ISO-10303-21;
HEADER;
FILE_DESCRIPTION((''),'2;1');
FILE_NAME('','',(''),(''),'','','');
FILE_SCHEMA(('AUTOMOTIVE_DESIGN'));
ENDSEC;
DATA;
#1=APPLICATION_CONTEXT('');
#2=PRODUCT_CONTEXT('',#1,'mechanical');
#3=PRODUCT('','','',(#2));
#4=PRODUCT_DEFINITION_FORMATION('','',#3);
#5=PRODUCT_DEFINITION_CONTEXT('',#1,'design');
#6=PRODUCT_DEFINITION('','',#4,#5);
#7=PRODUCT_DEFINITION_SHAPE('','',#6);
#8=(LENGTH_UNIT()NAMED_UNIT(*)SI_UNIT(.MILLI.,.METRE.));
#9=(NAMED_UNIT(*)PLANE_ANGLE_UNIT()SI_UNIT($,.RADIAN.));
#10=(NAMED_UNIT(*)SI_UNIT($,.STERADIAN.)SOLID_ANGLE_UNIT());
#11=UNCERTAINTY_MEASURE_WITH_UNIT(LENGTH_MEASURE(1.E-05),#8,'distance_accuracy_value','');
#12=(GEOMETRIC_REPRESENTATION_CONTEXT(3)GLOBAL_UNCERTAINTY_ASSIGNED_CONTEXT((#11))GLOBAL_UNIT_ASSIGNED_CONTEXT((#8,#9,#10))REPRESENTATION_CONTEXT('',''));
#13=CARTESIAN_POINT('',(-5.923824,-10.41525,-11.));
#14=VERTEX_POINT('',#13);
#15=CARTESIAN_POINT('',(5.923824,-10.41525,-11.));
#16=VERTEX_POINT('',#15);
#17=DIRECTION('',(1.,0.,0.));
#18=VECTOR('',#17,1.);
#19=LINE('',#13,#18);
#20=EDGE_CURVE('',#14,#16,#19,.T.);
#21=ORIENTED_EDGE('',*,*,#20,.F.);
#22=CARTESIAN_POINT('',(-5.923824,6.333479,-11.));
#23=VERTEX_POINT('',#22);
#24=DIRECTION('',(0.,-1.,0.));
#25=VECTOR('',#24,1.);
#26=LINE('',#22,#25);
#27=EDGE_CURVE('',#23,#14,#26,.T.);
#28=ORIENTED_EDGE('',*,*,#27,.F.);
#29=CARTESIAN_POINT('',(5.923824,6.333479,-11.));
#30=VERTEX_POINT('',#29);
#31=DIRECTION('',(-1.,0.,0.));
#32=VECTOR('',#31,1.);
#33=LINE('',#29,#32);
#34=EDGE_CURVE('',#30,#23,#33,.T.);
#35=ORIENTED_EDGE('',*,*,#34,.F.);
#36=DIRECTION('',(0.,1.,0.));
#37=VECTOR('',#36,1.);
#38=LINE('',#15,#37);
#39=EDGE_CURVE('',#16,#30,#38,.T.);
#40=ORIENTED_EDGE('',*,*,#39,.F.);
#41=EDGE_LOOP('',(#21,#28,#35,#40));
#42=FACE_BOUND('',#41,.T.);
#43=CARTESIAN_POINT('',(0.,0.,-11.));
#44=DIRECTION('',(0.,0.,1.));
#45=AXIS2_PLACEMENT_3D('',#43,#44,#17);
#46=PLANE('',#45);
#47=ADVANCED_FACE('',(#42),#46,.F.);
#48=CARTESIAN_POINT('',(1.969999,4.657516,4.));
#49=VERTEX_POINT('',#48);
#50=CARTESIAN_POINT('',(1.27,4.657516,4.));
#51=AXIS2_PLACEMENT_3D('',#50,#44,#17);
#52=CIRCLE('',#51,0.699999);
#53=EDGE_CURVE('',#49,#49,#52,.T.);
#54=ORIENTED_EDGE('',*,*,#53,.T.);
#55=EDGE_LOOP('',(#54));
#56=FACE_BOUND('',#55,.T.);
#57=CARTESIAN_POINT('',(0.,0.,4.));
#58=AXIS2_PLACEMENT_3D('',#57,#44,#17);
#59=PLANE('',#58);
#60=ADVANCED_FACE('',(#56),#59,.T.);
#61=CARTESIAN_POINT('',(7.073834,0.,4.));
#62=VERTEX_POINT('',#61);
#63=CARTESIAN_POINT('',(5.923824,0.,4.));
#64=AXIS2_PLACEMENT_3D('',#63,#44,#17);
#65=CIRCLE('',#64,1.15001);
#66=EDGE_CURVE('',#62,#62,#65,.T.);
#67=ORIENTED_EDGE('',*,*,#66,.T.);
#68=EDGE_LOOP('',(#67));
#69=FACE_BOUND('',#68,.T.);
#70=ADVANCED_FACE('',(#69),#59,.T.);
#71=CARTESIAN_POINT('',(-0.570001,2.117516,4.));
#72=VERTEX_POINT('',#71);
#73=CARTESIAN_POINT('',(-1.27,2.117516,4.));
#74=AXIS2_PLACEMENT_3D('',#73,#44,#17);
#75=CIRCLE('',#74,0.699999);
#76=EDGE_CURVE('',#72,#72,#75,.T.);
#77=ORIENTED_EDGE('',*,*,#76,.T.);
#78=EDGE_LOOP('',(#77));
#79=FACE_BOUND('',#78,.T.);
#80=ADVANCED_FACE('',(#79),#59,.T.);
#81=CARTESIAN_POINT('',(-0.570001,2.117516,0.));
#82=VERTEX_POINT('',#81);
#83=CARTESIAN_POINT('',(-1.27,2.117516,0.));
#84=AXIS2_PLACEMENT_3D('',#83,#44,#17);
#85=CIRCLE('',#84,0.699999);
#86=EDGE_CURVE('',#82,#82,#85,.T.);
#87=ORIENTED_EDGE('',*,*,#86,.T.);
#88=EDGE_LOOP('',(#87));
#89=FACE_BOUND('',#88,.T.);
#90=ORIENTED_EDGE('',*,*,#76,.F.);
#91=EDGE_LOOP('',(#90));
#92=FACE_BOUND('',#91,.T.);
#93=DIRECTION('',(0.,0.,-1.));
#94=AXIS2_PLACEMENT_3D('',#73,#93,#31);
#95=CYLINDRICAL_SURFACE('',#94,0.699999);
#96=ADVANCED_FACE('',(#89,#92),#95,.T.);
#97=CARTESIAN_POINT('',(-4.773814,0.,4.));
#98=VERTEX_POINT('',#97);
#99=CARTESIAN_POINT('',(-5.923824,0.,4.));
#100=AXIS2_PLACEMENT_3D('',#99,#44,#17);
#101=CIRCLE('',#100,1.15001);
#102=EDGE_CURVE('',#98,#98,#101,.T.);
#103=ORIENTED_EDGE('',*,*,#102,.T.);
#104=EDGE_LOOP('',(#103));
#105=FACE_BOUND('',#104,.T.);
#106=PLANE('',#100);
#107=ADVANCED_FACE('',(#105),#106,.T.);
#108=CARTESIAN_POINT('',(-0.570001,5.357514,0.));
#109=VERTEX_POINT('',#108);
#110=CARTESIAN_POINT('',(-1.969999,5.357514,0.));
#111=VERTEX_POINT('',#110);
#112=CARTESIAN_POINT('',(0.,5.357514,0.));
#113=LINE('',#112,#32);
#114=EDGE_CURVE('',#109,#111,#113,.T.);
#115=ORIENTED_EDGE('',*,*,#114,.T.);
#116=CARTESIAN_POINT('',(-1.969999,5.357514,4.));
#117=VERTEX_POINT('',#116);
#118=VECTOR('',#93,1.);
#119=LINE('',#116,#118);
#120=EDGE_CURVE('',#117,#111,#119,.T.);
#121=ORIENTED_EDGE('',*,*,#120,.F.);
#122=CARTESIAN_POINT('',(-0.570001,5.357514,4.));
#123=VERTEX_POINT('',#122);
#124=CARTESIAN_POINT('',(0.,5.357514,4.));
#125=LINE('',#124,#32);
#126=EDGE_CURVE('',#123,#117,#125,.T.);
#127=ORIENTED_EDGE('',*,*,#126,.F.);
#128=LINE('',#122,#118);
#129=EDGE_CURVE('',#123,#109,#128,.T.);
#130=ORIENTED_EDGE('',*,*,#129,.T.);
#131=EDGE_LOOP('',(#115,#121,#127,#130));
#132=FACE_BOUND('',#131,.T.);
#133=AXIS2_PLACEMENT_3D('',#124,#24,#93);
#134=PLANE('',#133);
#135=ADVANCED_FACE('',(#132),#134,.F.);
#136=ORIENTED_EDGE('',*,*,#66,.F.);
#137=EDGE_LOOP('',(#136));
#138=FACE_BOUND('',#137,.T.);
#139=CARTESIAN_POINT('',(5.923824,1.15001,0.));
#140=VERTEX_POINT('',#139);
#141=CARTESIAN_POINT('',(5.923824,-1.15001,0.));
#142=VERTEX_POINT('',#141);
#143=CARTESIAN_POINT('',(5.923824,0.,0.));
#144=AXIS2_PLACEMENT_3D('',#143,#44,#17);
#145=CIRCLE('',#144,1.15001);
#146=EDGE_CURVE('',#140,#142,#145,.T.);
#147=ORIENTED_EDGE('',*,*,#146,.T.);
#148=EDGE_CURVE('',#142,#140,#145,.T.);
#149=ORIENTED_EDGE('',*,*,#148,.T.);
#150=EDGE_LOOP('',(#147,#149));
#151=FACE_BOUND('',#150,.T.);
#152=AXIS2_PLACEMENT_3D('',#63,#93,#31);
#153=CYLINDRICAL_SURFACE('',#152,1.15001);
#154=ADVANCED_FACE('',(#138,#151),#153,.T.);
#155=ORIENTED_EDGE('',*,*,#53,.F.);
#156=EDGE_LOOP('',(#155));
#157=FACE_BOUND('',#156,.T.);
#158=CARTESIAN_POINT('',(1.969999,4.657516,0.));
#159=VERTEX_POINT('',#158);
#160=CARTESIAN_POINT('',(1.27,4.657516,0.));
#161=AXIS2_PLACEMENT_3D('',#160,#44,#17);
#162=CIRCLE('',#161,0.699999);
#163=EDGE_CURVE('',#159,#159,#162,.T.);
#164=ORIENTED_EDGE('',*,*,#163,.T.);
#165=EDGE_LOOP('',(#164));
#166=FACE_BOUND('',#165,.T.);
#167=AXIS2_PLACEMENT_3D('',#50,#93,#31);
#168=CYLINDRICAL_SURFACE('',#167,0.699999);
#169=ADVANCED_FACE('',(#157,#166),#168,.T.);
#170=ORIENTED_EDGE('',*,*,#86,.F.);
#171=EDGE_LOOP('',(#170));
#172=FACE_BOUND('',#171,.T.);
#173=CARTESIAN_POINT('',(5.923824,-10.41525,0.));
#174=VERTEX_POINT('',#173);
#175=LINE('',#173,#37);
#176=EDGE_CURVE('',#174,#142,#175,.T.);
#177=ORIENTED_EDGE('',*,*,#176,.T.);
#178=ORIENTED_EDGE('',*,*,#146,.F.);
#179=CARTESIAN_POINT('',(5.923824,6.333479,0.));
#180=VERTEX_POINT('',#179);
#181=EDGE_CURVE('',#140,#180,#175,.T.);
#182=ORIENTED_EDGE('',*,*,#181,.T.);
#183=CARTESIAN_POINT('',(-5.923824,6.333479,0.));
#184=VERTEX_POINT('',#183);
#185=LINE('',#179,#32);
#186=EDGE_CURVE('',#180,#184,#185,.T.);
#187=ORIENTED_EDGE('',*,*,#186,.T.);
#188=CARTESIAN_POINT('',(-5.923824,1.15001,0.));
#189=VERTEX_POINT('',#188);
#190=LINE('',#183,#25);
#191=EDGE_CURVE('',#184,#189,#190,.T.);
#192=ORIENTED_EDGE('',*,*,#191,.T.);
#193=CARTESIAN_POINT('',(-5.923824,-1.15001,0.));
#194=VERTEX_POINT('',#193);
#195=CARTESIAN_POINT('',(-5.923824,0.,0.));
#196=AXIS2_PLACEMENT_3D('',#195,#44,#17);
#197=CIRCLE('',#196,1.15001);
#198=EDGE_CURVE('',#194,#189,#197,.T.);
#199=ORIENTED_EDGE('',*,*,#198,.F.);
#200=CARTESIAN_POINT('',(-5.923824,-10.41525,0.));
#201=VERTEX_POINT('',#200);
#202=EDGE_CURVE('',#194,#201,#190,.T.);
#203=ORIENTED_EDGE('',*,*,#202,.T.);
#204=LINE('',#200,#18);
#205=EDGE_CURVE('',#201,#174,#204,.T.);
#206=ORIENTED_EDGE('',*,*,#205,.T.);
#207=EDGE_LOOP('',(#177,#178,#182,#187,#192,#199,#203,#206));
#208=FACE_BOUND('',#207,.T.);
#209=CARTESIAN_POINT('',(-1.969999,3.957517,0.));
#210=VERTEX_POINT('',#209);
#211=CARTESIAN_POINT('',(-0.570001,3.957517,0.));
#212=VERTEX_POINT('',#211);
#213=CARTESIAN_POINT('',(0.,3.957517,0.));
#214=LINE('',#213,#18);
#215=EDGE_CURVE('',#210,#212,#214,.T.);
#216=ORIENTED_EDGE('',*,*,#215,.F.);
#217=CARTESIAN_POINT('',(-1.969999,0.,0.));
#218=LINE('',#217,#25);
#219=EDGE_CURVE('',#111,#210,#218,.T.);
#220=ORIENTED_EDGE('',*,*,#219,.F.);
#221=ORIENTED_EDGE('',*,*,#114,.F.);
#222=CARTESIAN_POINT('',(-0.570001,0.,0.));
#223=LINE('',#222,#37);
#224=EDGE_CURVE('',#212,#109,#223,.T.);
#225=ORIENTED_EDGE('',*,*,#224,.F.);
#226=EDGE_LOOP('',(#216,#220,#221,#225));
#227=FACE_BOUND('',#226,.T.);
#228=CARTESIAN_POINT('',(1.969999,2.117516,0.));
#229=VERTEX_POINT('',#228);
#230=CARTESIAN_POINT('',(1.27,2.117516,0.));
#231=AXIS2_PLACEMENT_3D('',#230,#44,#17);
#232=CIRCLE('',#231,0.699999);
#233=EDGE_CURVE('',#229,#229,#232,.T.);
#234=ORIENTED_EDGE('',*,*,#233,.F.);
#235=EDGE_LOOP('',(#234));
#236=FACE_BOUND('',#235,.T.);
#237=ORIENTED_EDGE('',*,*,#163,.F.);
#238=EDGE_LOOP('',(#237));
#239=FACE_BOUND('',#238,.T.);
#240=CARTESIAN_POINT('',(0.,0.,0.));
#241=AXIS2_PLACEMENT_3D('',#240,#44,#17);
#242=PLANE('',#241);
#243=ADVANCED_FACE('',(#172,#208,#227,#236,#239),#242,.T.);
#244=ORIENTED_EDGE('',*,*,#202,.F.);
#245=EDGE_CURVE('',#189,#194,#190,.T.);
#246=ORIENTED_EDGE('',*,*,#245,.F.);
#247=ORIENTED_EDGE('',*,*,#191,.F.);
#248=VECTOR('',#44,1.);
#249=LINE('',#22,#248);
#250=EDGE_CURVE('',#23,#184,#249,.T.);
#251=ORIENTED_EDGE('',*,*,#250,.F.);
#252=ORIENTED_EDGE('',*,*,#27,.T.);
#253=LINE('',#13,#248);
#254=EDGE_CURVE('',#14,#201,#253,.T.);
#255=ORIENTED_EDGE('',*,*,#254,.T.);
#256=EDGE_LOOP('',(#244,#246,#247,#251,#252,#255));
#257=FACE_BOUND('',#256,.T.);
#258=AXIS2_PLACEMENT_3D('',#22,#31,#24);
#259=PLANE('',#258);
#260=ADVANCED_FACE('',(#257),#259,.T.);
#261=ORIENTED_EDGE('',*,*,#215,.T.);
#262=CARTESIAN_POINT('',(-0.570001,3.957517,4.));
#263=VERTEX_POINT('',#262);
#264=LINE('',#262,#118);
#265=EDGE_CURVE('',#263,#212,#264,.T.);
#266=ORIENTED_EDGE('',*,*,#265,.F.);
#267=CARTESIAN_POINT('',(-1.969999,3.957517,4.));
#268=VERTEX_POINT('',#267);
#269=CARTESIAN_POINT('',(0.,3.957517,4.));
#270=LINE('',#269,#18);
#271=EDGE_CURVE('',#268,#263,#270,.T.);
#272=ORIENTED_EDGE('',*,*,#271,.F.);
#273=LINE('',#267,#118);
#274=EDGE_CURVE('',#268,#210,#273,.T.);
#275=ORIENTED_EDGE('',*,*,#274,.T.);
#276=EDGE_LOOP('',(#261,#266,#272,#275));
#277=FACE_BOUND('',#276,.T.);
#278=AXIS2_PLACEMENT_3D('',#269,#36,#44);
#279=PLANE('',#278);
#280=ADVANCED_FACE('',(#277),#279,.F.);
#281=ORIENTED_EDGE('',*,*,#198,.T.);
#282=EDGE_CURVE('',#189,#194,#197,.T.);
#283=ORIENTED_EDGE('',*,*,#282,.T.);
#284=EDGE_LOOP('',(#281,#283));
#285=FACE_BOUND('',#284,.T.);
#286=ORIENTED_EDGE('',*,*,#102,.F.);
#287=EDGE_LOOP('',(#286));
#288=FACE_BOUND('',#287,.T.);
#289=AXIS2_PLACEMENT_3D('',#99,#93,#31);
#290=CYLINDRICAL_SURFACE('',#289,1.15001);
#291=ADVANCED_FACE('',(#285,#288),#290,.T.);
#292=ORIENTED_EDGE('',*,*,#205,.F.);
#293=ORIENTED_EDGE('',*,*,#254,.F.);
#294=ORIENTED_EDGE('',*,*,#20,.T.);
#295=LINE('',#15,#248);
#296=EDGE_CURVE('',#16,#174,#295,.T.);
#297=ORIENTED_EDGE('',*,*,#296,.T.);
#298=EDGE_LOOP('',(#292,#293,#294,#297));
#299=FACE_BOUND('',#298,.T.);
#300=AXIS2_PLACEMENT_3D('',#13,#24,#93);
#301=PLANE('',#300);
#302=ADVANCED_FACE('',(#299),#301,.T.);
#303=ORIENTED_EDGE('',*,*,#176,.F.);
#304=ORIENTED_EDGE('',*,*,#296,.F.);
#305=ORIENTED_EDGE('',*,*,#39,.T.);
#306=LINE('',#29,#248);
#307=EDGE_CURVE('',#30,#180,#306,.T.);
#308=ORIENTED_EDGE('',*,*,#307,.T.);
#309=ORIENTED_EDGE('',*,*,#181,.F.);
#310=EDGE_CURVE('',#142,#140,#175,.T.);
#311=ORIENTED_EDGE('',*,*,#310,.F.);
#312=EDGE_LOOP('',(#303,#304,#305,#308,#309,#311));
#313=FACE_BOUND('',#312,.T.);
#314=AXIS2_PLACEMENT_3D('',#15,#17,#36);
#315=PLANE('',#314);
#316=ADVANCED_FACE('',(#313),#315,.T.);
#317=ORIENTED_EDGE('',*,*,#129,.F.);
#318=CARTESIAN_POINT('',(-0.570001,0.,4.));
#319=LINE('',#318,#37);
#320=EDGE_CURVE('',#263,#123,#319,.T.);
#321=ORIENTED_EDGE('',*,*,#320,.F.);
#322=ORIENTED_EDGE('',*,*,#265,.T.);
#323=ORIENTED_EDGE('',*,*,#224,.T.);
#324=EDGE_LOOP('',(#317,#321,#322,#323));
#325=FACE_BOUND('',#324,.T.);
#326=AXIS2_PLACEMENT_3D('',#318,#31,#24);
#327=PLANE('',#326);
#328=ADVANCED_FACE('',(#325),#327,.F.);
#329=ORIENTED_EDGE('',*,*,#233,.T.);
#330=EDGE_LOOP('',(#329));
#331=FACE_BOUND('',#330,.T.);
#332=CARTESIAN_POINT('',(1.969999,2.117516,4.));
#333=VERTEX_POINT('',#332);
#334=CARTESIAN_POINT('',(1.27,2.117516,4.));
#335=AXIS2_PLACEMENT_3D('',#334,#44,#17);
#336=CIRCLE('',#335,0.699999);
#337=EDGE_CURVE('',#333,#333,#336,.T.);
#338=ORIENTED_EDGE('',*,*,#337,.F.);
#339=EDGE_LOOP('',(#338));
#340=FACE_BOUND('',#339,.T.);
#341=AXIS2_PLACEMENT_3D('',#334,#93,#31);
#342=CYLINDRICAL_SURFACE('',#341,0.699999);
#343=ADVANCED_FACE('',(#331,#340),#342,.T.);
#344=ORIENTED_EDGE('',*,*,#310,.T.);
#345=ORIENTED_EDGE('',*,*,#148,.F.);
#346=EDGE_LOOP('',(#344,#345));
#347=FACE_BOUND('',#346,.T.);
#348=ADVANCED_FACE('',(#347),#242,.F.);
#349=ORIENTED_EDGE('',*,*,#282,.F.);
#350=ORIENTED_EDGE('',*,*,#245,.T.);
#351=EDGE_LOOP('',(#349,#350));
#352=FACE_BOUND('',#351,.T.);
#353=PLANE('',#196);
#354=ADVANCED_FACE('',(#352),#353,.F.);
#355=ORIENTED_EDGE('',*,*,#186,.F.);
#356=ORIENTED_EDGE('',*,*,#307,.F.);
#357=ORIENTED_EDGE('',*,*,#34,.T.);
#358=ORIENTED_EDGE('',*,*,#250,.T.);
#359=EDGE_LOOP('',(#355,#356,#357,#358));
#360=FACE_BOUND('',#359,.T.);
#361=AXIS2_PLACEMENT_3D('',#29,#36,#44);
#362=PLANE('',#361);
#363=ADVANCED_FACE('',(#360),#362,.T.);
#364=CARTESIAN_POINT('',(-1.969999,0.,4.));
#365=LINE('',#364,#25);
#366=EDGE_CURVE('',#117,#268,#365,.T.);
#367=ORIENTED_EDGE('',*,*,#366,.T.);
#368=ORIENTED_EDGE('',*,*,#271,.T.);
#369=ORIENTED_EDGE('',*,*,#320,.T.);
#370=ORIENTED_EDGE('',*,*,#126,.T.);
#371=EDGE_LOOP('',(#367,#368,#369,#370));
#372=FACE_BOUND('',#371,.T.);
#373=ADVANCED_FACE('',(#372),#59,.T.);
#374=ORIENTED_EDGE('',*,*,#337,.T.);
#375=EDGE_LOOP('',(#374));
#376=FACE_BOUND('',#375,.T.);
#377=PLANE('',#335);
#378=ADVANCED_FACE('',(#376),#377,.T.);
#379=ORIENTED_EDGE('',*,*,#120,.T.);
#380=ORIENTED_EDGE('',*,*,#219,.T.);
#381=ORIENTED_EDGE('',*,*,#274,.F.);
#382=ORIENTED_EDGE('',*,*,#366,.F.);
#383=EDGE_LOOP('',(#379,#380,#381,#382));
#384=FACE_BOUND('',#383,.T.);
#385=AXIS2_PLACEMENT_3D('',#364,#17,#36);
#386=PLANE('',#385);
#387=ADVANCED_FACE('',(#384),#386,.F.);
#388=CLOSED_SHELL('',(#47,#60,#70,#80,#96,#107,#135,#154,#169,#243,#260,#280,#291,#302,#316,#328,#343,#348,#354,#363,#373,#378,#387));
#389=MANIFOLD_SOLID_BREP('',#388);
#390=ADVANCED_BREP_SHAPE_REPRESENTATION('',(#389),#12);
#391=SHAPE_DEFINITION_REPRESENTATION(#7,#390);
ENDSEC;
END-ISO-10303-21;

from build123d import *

# Parameters (mm, degrees)
SKETCH1_W           = 11.84764794
SKETCH1_H           = 16.748729175
BOSS_EXTRUDE1_DEPTH = 11
SKETCH1_3_R         = 1.1500104
SKETCH1_3_W         = 1.3999972
SKETCH1_3_H         = 1.3999972
SKETCH1_3_R_2       = 0.6999986
BOSS_EXTRUDE2_DEPTH = 4


with BuildPart() as part:
    # Sketch1 → Boss-Extrude1 (new body)
    with BuildSketch(Plane.XY):
        with Locations((0, -2.040885412)):
            Rectangle(SKETCH1_W, SKETCH1_H)
    extrude(amount=-BOSS_EXTRUDE1_DEPTH)

    # Sketch1<3> → Boss-Extrude2 (add)
    with BuildSketch(Plane.XY):
        with Locations((5.92382397, 0)):
            Circle(SKETCH1_3_R)
        with Locations((-5.92382397, 0)):
            Circle(SKETCH1_3_R)
        with Locations((-1.27, 4.657515676)):
            Rectangle(SKETCH1_3_W, SKETCH1_3_H)
        with Locations((1.27, 4.657515676)):
            Circle(SKETCH1_3_R_2)
        with Locations((1.27, 2.117515676)):
            Circle(SKETCH1_3_R_2)
        with Locations((-1.27, 2.117515676)):
            Circle(SKETCH1_3_R_2)
    extrude(amount=BOSS_EXTRUDE2_DEPTH)


solid = part.part
